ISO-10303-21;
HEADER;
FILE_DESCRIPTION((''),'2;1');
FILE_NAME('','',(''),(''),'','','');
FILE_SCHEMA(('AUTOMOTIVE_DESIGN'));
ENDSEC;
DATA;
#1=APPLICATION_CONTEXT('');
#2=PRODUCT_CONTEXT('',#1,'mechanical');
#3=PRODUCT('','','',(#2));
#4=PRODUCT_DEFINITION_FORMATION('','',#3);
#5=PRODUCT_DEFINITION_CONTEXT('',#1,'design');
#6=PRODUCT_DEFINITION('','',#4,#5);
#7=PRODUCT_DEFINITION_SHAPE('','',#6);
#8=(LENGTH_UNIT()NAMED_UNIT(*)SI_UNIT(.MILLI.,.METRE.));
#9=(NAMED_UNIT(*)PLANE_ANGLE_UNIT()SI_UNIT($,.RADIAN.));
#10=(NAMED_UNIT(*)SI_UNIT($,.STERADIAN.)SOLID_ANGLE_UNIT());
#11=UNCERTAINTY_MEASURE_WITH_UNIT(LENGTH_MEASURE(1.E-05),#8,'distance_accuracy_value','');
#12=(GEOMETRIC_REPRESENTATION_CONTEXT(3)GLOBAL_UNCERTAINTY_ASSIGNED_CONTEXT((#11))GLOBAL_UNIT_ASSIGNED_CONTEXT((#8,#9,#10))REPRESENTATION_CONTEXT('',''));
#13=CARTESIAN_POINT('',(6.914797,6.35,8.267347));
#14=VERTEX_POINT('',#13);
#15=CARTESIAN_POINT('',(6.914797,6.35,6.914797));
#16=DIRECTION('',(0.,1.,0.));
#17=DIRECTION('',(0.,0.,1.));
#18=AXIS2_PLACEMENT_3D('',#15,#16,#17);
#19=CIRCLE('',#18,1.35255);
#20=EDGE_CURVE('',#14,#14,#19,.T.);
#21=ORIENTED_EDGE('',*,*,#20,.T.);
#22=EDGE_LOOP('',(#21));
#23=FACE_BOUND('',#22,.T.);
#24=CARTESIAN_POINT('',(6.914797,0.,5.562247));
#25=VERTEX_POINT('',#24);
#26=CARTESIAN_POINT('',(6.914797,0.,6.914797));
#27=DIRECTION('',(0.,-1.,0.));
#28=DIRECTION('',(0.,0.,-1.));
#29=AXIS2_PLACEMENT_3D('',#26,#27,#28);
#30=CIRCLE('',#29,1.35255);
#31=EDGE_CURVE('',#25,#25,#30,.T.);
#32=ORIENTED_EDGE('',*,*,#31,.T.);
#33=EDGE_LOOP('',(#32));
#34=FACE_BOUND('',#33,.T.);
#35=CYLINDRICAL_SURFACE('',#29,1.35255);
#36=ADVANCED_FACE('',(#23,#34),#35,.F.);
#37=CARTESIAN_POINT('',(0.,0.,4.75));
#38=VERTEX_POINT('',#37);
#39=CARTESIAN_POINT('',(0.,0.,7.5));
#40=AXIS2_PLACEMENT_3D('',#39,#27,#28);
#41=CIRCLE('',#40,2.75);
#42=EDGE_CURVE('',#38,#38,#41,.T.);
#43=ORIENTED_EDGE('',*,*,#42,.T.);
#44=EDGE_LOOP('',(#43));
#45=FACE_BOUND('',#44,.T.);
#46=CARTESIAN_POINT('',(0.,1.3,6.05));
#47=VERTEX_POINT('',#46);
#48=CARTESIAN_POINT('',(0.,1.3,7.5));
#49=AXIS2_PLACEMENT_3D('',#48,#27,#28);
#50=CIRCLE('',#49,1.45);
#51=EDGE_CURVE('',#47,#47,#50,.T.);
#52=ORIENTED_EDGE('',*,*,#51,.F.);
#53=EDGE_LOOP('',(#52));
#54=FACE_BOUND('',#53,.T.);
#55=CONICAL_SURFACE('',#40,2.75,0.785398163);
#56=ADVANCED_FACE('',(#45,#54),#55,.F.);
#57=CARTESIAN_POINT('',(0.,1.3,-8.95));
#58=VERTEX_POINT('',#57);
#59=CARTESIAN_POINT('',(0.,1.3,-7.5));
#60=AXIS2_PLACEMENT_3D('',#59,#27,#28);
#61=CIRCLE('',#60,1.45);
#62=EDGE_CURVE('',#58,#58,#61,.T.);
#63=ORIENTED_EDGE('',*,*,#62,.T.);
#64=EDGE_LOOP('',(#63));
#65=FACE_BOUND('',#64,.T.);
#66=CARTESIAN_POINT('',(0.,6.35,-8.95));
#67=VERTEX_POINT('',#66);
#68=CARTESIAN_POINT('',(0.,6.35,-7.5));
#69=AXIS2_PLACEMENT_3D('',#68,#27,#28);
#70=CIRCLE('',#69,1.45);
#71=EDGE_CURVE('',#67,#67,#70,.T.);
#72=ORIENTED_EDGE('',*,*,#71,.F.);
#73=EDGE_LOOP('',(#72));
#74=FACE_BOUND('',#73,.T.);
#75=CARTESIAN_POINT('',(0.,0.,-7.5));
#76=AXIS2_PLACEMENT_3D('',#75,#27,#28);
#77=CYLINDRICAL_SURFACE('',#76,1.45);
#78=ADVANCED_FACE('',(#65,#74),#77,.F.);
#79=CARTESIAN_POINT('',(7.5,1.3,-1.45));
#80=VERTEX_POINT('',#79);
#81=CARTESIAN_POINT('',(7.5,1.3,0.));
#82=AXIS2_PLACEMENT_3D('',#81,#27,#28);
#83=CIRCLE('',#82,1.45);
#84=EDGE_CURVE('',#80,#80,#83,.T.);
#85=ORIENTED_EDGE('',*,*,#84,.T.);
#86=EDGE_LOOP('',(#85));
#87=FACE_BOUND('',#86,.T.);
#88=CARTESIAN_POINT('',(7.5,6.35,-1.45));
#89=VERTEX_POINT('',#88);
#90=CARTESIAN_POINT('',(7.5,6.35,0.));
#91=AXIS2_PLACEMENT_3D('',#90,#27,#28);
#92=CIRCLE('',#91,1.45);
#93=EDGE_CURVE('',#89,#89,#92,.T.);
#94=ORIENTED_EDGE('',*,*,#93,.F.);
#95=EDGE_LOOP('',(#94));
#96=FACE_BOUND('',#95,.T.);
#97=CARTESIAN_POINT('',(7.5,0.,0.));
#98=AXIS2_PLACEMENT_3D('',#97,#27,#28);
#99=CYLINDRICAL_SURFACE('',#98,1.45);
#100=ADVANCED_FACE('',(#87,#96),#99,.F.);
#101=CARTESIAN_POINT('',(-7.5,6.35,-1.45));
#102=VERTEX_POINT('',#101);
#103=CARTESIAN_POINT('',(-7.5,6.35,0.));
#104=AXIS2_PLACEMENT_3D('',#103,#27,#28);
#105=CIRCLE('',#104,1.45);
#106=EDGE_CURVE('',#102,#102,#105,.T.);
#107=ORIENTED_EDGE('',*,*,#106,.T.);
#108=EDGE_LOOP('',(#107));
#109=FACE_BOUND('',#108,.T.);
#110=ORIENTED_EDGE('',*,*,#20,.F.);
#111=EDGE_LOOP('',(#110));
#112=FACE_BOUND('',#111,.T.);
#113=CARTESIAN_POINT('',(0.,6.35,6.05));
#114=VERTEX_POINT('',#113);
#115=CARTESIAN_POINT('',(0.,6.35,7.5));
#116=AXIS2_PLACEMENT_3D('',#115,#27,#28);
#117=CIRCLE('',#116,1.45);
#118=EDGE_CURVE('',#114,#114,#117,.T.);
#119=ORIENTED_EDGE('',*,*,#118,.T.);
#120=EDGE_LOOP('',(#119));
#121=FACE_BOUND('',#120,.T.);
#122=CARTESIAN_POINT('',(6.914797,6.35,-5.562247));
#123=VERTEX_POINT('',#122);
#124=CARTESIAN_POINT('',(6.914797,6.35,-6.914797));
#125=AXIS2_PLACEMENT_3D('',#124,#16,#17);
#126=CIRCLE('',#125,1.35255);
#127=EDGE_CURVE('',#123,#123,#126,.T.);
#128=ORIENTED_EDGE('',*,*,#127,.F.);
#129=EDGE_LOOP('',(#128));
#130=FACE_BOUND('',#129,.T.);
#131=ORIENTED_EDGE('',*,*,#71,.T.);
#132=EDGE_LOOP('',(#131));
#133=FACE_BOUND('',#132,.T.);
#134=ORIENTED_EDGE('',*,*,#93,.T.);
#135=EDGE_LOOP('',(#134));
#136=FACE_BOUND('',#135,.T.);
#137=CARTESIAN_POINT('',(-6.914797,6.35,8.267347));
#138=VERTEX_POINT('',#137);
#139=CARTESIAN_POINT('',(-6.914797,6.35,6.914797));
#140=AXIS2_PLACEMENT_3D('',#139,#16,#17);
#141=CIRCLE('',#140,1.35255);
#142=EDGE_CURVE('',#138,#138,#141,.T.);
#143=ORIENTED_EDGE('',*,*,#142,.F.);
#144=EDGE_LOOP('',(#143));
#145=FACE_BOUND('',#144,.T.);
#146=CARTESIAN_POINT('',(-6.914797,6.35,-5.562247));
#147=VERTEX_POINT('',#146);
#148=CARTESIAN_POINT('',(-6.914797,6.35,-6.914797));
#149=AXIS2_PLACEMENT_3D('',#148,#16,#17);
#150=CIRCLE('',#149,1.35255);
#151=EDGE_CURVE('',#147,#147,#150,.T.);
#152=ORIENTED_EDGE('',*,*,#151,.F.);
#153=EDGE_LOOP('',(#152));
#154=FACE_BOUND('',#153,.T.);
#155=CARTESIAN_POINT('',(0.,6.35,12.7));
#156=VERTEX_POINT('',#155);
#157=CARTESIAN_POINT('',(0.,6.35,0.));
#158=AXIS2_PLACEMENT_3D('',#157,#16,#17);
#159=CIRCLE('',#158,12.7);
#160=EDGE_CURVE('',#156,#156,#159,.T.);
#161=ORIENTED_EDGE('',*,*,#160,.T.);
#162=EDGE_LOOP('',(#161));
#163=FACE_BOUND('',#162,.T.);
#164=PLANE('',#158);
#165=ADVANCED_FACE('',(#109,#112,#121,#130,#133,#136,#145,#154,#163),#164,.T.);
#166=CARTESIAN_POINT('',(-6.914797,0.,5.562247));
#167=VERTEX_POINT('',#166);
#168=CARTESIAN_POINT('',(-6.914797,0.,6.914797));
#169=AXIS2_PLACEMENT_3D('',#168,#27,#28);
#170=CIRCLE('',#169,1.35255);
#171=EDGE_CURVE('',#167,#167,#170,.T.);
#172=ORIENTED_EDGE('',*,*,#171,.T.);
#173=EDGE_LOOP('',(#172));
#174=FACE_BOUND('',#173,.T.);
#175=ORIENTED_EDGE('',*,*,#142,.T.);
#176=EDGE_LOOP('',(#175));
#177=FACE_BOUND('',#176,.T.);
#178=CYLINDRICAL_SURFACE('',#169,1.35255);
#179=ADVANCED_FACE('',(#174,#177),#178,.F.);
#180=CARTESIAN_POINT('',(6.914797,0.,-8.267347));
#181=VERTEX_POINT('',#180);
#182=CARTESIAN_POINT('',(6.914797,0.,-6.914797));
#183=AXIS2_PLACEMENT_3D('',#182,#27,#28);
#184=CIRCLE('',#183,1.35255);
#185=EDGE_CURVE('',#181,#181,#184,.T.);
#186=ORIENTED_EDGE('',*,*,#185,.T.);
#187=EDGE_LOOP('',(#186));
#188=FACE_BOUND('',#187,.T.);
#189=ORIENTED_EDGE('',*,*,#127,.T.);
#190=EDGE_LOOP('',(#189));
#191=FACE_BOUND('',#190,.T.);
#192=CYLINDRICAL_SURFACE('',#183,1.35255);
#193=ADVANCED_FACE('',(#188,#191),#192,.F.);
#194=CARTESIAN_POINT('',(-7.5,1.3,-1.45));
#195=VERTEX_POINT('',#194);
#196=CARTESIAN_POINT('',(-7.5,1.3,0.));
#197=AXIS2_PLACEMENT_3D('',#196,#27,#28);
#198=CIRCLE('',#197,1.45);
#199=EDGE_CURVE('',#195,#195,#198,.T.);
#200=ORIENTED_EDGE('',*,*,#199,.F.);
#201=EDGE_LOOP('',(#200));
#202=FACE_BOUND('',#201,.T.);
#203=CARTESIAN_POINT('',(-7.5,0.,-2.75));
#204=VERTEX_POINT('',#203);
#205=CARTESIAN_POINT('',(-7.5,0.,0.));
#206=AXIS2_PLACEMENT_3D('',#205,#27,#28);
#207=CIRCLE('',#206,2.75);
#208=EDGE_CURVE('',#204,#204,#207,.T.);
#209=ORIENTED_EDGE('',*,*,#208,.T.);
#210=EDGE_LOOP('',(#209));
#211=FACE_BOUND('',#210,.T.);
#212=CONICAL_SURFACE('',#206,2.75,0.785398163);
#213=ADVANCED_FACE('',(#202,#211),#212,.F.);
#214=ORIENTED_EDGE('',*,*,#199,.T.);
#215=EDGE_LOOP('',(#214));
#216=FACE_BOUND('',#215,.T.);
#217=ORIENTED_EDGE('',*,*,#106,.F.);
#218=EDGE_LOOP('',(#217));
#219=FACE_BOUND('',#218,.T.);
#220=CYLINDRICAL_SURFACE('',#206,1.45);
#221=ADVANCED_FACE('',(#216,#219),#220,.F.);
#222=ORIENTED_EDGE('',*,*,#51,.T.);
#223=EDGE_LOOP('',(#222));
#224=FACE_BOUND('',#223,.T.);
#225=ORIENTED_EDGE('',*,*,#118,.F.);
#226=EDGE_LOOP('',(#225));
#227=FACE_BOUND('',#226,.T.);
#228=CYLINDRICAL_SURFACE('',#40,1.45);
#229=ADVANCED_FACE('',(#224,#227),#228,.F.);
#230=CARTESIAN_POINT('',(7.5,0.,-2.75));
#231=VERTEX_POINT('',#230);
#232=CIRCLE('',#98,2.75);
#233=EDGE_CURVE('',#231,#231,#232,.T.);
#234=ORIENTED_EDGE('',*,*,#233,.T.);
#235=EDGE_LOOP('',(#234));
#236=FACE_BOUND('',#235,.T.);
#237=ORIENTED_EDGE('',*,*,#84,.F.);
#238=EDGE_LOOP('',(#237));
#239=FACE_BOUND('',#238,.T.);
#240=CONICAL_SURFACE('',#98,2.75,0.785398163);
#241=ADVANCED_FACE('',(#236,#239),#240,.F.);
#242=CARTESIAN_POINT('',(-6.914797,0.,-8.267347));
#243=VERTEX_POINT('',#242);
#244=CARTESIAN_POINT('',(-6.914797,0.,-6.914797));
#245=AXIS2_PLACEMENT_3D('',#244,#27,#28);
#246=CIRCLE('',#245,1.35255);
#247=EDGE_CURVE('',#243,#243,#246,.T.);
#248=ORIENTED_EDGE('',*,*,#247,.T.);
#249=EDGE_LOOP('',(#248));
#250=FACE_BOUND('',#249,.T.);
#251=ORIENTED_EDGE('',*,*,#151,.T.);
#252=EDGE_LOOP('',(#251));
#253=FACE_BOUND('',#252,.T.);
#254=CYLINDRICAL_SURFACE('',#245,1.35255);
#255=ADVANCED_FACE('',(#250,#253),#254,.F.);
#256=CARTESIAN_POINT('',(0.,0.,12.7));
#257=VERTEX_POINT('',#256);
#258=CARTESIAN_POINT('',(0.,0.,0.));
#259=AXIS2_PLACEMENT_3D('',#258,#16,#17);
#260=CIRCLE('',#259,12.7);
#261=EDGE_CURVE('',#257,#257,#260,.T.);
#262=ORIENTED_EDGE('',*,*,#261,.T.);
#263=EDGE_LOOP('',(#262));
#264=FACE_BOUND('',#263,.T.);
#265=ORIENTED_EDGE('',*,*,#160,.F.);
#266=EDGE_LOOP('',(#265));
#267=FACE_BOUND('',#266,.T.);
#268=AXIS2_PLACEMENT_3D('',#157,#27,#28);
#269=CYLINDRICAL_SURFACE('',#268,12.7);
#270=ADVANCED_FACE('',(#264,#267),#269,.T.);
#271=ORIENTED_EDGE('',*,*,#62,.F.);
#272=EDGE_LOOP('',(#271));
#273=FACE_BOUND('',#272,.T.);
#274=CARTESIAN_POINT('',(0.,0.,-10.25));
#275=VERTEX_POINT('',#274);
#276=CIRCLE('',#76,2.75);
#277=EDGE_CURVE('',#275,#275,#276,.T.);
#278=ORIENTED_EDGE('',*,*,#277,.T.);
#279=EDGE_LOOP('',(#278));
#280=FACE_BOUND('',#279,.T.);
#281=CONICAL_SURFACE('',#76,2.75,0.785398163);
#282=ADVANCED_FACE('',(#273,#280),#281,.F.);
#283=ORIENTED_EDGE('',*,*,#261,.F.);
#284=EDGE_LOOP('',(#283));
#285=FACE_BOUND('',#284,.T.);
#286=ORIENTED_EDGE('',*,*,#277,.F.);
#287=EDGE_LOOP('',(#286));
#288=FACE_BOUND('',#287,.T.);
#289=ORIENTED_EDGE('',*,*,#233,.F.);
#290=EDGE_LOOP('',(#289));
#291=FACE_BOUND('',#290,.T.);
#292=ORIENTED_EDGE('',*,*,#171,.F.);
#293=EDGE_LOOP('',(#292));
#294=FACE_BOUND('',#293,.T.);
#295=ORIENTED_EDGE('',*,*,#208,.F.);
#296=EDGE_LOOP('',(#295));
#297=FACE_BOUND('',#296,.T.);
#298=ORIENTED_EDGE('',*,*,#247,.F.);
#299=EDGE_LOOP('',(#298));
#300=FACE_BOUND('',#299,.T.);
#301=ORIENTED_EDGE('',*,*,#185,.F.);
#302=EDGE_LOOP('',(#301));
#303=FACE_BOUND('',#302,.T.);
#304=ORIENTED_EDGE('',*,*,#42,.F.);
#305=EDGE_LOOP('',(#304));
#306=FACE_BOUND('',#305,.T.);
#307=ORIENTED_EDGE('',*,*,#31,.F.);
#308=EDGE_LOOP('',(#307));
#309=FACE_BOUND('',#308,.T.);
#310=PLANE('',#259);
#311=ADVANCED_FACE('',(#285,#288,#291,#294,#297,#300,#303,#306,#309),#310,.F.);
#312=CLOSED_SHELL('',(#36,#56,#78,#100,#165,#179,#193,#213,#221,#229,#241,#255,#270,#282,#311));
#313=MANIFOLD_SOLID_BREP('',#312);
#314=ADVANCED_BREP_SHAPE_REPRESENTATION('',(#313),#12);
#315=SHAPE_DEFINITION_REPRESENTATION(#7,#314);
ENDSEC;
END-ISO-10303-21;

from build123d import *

# Parameters (mm, degrees)
SKETCH2_R                                         = 12.7
BOSS_EXTRUDE1_DEPTH                               = 6.35
CSK_FOR_M2_5_FLAT_HEAD_MACHINE_SCREW1_D           = 2.9
CSK_FOR_M2_5_FLAT_HEAD_MACHINE_SCREW1_CSINK_D     = 5.5
CSK_FOR_M2_5_FLAT_HEAD_MACHINE_SCREW1_CSINK_ANGLE = 90
F_6_32_TAPPED_HOLE1_D                             = 2.7051
F_6_32_TAPPED_HOLE1_DEPTH                         = 9.38784
F_6_32_TAPPED_HOLE1_TIP                           = 0.81269403


with BuildPart() as part:
    # Sketch2 → Boss-Extrude1 (new body)
    with BuildSketch(Plane(origin=(0, 0, 0), x_dir=(1, 0, 0), z_dir=(0, 1, 0))):
        with Locations(Location((0, 0, 0), (0, 0, 270))):
            Circle(SKETCH2_R)
    extrude(amount=BOSS_EXTRUDE1_DEPTH)

    # CSK for M2.5 Flat Head Machine Screw1 (through all)
    with Locations(Plane(origin=(0, 0, 0), x_dir=(-1, 0, 0), z_dir=(0, -1, 0))):
        with Locations((7.5, 0), (-7.5, 0), (0, -7.5), (0, 7.5)):
            CounterSinkHole(CSK_FOR_M2_5_FLAT_HEAD_MACHINE_SCREW1_D / 2, CSK_FOR_M2_5_FLAT_HEAD_MACHINE_SCREW1_CSINK_D / 2, counter_sink_angle=CSK_FOR_M2_5_FLAT_HEAD_MACHINE_SCREW1_CSINK_ANGLE)

    # #6-32 Tapped Hole1
    with Locations(Plane(origin=(0, 0, 0), x_dir=(-1, 0, 0), z_dir=(0, -1, 0))):
        with Locations((6.914797213, -6.914797213), (-6.914797213, -6.914797213), (-6.914797213, 6.914797213), (6.914797213, 6.914797213)):
            Hole(F_6_32_TAPPED_HOLE1_D / 2, depth=F_6_32_TAPPED_HOLE1_DEPTH)
            with Locations((0, 0, -(F_6_32_TAPPED_HOLE1_DEPTH + F_6_32_TAPPED_HOLE1_TIP / 2))):  # 118° drill point
                Cone(0, F_6_32_TAPPED_HOLE1_D / 2, F_6_32_TAPPED_HOLE1_TIP, mode=Mode.SUBTRACT)


solid = part.part
